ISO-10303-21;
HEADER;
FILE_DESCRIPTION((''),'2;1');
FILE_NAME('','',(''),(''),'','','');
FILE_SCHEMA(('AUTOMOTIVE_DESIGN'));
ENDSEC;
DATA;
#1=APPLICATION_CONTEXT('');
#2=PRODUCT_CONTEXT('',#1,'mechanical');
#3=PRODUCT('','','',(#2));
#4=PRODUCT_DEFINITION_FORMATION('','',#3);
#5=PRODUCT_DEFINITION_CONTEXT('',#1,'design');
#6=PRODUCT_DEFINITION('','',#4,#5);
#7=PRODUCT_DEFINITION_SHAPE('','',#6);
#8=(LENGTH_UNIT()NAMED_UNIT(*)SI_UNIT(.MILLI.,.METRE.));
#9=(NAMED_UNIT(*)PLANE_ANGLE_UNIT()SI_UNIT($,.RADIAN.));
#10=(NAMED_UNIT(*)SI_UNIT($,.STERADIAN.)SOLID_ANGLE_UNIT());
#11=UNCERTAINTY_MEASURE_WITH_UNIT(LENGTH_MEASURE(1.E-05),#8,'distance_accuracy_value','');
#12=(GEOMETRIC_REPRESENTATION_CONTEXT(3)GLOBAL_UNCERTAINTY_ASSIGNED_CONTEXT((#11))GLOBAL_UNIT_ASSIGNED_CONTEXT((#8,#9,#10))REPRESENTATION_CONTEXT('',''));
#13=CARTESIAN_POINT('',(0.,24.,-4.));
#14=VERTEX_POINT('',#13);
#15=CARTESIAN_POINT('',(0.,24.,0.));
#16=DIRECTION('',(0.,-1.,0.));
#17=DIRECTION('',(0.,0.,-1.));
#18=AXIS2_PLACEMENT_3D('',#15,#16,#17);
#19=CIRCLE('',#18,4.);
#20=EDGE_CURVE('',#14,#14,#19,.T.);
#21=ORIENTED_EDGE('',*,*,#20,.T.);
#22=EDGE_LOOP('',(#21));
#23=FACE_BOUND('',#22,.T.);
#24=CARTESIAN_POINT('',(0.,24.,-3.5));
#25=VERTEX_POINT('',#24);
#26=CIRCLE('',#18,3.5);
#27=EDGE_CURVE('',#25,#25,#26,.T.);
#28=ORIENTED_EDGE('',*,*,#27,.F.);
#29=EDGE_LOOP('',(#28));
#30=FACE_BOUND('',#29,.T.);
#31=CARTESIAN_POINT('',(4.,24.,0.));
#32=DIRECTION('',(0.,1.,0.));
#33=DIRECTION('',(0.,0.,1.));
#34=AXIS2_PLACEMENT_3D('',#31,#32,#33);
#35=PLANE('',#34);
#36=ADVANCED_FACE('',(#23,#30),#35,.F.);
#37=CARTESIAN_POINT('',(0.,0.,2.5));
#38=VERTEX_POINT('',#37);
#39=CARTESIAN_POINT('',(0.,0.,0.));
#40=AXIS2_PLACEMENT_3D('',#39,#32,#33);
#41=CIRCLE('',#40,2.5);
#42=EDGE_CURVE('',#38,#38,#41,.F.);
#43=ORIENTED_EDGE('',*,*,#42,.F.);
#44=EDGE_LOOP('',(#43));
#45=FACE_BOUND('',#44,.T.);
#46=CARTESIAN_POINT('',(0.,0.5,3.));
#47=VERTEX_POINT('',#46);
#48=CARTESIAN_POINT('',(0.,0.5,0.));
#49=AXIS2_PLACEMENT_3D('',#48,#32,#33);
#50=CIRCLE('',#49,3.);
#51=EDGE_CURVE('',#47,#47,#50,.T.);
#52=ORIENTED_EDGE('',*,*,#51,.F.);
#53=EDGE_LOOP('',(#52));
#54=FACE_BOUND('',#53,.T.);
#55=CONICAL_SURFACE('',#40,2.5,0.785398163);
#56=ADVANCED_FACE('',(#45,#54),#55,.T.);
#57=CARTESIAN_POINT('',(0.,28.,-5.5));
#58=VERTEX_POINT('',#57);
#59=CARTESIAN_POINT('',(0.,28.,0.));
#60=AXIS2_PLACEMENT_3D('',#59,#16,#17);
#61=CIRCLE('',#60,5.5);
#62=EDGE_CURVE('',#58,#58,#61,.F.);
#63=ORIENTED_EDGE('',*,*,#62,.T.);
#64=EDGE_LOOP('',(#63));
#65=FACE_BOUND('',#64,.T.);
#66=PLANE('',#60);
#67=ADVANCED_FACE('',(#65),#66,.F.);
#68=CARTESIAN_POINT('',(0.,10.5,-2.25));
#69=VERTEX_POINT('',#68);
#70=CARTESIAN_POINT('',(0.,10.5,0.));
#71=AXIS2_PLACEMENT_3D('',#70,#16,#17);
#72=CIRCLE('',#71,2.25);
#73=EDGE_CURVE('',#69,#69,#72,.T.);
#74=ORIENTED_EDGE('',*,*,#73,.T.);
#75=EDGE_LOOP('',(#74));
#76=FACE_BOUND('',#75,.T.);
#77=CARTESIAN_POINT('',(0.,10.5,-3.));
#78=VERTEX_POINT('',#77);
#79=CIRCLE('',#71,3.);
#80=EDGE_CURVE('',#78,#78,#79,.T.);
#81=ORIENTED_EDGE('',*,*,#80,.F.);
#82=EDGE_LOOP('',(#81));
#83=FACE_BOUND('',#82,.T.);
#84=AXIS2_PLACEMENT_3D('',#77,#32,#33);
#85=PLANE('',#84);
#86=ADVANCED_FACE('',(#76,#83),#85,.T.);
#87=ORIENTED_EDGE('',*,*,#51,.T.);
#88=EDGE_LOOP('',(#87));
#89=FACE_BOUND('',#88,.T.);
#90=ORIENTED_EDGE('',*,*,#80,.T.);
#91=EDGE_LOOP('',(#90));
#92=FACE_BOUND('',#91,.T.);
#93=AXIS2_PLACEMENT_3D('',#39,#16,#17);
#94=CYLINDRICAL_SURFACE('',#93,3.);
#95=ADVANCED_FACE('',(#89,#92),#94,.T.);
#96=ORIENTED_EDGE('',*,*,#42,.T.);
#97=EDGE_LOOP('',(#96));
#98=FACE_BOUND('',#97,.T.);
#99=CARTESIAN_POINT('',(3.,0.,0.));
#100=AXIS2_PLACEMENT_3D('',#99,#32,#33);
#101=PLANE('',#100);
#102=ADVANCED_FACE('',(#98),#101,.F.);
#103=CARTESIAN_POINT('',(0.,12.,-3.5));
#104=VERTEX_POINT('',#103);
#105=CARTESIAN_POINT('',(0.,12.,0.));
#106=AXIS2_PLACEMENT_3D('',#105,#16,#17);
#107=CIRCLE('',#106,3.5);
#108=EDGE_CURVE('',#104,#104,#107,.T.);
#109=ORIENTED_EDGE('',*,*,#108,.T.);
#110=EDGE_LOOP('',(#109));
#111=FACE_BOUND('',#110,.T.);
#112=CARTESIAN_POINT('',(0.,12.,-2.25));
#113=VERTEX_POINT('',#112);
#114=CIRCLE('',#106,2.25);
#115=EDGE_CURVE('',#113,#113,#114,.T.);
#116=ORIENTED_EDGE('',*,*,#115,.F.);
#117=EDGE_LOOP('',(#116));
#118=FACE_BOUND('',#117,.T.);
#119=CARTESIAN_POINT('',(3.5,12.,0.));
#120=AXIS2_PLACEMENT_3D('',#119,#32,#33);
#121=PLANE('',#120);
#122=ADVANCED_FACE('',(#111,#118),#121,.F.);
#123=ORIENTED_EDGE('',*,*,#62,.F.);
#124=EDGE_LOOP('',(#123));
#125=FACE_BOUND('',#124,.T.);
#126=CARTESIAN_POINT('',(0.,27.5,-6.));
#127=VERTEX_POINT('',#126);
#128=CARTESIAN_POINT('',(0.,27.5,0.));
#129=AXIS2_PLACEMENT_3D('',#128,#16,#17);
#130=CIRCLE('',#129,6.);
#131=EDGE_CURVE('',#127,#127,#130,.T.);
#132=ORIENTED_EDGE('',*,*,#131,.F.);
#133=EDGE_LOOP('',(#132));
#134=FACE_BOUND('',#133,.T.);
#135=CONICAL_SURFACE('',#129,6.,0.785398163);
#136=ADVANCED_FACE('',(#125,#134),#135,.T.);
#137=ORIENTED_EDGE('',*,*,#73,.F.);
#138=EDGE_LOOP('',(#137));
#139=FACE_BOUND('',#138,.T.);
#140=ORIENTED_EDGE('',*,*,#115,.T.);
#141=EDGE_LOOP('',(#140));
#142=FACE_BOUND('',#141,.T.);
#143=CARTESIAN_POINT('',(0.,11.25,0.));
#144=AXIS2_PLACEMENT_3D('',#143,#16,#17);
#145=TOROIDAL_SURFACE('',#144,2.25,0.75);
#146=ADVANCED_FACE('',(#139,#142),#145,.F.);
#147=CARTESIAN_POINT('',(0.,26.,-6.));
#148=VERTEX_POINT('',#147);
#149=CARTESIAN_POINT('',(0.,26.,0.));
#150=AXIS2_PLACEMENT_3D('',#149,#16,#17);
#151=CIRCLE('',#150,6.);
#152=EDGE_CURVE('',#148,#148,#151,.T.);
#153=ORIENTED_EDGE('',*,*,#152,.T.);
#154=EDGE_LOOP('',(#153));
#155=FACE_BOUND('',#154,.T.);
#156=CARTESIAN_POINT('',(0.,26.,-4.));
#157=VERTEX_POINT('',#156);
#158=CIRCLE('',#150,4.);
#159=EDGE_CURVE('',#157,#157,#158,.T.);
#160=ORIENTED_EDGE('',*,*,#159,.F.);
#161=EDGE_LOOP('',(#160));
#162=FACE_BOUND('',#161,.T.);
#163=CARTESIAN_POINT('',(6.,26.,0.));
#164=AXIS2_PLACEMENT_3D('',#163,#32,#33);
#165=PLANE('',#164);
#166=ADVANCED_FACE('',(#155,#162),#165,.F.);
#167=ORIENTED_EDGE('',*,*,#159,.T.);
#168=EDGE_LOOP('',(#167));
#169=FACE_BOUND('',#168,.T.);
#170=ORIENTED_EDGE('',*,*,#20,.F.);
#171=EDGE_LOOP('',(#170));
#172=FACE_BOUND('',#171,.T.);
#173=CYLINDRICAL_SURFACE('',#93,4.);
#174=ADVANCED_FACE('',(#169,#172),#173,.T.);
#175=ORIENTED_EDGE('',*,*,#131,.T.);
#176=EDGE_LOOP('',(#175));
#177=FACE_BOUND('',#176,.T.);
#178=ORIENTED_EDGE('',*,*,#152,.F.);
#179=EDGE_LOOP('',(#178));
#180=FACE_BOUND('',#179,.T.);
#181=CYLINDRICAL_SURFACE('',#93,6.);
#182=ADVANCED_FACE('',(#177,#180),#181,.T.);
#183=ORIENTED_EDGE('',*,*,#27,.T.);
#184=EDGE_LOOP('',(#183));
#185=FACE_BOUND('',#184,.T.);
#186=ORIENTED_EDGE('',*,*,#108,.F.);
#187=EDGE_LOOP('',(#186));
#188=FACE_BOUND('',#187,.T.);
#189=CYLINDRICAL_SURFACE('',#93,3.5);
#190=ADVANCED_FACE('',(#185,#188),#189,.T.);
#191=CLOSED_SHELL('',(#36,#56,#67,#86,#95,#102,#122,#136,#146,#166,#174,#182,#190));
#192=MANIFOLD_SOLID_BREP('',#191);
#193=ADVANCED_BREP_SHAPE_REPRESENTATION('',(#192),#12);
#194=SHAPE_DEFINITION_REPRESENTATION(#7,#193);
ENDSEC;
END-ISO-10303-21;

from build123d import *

# Parameters (mm, degrees)
CHANFREIN1_SIZE = 0.5


with BuildPart() as part:
    # Esquisse1 → Base-Révolution (revolve)
    with BuildSketch(Plane.XY, mode=Mode.PRIVATE) as base_r_volution_sk:
        Polygon((0, 28), (6, 28), (6, 26), (4, 26), (4, 24), (3.5, 24), (3.5, 12), (3, 12), (3, 0), (0, 0), align=None)
    revolve(base_r_volution_sk.sketch.rotate(Axis((0, 0, 0), (0, 1, 0)), 90), axis=Axis((0, 0, 0), (0, 1, 0)))

    # Chanfrein1
    chanfrein1_edges = [part.edges().sort_by_distance(p)[0] for p in [
        (0, 28, 6),
        (0, 0, 3),
    ]]
    chamfer(chanfrein1_edges, length=CHANFREIN1_SIZE)

    # Esquisse3 → Enlever de la matière-Révolution1 (revolve, cut)
    with BuildSketch(Plane(origin=(0, 0, 0), x_dir=(0, 0, -1), z_dir=(1, 0, 0))):
        with BuildLine():
            Line((2.25, 12), (3, 12))
            Line((3, 12), (3, 10.5))
            Line((3, 10.5), (2.25, 10.5))
            ThreePointArc((2.25, 10.5), (1.5, 11.25), (2.25, 12))
        make_face()
    revolve(axis=Axis((0, 0, 0), (0, 1, 0)), mode=Mode.SUBTRACT)


solid = part.part
